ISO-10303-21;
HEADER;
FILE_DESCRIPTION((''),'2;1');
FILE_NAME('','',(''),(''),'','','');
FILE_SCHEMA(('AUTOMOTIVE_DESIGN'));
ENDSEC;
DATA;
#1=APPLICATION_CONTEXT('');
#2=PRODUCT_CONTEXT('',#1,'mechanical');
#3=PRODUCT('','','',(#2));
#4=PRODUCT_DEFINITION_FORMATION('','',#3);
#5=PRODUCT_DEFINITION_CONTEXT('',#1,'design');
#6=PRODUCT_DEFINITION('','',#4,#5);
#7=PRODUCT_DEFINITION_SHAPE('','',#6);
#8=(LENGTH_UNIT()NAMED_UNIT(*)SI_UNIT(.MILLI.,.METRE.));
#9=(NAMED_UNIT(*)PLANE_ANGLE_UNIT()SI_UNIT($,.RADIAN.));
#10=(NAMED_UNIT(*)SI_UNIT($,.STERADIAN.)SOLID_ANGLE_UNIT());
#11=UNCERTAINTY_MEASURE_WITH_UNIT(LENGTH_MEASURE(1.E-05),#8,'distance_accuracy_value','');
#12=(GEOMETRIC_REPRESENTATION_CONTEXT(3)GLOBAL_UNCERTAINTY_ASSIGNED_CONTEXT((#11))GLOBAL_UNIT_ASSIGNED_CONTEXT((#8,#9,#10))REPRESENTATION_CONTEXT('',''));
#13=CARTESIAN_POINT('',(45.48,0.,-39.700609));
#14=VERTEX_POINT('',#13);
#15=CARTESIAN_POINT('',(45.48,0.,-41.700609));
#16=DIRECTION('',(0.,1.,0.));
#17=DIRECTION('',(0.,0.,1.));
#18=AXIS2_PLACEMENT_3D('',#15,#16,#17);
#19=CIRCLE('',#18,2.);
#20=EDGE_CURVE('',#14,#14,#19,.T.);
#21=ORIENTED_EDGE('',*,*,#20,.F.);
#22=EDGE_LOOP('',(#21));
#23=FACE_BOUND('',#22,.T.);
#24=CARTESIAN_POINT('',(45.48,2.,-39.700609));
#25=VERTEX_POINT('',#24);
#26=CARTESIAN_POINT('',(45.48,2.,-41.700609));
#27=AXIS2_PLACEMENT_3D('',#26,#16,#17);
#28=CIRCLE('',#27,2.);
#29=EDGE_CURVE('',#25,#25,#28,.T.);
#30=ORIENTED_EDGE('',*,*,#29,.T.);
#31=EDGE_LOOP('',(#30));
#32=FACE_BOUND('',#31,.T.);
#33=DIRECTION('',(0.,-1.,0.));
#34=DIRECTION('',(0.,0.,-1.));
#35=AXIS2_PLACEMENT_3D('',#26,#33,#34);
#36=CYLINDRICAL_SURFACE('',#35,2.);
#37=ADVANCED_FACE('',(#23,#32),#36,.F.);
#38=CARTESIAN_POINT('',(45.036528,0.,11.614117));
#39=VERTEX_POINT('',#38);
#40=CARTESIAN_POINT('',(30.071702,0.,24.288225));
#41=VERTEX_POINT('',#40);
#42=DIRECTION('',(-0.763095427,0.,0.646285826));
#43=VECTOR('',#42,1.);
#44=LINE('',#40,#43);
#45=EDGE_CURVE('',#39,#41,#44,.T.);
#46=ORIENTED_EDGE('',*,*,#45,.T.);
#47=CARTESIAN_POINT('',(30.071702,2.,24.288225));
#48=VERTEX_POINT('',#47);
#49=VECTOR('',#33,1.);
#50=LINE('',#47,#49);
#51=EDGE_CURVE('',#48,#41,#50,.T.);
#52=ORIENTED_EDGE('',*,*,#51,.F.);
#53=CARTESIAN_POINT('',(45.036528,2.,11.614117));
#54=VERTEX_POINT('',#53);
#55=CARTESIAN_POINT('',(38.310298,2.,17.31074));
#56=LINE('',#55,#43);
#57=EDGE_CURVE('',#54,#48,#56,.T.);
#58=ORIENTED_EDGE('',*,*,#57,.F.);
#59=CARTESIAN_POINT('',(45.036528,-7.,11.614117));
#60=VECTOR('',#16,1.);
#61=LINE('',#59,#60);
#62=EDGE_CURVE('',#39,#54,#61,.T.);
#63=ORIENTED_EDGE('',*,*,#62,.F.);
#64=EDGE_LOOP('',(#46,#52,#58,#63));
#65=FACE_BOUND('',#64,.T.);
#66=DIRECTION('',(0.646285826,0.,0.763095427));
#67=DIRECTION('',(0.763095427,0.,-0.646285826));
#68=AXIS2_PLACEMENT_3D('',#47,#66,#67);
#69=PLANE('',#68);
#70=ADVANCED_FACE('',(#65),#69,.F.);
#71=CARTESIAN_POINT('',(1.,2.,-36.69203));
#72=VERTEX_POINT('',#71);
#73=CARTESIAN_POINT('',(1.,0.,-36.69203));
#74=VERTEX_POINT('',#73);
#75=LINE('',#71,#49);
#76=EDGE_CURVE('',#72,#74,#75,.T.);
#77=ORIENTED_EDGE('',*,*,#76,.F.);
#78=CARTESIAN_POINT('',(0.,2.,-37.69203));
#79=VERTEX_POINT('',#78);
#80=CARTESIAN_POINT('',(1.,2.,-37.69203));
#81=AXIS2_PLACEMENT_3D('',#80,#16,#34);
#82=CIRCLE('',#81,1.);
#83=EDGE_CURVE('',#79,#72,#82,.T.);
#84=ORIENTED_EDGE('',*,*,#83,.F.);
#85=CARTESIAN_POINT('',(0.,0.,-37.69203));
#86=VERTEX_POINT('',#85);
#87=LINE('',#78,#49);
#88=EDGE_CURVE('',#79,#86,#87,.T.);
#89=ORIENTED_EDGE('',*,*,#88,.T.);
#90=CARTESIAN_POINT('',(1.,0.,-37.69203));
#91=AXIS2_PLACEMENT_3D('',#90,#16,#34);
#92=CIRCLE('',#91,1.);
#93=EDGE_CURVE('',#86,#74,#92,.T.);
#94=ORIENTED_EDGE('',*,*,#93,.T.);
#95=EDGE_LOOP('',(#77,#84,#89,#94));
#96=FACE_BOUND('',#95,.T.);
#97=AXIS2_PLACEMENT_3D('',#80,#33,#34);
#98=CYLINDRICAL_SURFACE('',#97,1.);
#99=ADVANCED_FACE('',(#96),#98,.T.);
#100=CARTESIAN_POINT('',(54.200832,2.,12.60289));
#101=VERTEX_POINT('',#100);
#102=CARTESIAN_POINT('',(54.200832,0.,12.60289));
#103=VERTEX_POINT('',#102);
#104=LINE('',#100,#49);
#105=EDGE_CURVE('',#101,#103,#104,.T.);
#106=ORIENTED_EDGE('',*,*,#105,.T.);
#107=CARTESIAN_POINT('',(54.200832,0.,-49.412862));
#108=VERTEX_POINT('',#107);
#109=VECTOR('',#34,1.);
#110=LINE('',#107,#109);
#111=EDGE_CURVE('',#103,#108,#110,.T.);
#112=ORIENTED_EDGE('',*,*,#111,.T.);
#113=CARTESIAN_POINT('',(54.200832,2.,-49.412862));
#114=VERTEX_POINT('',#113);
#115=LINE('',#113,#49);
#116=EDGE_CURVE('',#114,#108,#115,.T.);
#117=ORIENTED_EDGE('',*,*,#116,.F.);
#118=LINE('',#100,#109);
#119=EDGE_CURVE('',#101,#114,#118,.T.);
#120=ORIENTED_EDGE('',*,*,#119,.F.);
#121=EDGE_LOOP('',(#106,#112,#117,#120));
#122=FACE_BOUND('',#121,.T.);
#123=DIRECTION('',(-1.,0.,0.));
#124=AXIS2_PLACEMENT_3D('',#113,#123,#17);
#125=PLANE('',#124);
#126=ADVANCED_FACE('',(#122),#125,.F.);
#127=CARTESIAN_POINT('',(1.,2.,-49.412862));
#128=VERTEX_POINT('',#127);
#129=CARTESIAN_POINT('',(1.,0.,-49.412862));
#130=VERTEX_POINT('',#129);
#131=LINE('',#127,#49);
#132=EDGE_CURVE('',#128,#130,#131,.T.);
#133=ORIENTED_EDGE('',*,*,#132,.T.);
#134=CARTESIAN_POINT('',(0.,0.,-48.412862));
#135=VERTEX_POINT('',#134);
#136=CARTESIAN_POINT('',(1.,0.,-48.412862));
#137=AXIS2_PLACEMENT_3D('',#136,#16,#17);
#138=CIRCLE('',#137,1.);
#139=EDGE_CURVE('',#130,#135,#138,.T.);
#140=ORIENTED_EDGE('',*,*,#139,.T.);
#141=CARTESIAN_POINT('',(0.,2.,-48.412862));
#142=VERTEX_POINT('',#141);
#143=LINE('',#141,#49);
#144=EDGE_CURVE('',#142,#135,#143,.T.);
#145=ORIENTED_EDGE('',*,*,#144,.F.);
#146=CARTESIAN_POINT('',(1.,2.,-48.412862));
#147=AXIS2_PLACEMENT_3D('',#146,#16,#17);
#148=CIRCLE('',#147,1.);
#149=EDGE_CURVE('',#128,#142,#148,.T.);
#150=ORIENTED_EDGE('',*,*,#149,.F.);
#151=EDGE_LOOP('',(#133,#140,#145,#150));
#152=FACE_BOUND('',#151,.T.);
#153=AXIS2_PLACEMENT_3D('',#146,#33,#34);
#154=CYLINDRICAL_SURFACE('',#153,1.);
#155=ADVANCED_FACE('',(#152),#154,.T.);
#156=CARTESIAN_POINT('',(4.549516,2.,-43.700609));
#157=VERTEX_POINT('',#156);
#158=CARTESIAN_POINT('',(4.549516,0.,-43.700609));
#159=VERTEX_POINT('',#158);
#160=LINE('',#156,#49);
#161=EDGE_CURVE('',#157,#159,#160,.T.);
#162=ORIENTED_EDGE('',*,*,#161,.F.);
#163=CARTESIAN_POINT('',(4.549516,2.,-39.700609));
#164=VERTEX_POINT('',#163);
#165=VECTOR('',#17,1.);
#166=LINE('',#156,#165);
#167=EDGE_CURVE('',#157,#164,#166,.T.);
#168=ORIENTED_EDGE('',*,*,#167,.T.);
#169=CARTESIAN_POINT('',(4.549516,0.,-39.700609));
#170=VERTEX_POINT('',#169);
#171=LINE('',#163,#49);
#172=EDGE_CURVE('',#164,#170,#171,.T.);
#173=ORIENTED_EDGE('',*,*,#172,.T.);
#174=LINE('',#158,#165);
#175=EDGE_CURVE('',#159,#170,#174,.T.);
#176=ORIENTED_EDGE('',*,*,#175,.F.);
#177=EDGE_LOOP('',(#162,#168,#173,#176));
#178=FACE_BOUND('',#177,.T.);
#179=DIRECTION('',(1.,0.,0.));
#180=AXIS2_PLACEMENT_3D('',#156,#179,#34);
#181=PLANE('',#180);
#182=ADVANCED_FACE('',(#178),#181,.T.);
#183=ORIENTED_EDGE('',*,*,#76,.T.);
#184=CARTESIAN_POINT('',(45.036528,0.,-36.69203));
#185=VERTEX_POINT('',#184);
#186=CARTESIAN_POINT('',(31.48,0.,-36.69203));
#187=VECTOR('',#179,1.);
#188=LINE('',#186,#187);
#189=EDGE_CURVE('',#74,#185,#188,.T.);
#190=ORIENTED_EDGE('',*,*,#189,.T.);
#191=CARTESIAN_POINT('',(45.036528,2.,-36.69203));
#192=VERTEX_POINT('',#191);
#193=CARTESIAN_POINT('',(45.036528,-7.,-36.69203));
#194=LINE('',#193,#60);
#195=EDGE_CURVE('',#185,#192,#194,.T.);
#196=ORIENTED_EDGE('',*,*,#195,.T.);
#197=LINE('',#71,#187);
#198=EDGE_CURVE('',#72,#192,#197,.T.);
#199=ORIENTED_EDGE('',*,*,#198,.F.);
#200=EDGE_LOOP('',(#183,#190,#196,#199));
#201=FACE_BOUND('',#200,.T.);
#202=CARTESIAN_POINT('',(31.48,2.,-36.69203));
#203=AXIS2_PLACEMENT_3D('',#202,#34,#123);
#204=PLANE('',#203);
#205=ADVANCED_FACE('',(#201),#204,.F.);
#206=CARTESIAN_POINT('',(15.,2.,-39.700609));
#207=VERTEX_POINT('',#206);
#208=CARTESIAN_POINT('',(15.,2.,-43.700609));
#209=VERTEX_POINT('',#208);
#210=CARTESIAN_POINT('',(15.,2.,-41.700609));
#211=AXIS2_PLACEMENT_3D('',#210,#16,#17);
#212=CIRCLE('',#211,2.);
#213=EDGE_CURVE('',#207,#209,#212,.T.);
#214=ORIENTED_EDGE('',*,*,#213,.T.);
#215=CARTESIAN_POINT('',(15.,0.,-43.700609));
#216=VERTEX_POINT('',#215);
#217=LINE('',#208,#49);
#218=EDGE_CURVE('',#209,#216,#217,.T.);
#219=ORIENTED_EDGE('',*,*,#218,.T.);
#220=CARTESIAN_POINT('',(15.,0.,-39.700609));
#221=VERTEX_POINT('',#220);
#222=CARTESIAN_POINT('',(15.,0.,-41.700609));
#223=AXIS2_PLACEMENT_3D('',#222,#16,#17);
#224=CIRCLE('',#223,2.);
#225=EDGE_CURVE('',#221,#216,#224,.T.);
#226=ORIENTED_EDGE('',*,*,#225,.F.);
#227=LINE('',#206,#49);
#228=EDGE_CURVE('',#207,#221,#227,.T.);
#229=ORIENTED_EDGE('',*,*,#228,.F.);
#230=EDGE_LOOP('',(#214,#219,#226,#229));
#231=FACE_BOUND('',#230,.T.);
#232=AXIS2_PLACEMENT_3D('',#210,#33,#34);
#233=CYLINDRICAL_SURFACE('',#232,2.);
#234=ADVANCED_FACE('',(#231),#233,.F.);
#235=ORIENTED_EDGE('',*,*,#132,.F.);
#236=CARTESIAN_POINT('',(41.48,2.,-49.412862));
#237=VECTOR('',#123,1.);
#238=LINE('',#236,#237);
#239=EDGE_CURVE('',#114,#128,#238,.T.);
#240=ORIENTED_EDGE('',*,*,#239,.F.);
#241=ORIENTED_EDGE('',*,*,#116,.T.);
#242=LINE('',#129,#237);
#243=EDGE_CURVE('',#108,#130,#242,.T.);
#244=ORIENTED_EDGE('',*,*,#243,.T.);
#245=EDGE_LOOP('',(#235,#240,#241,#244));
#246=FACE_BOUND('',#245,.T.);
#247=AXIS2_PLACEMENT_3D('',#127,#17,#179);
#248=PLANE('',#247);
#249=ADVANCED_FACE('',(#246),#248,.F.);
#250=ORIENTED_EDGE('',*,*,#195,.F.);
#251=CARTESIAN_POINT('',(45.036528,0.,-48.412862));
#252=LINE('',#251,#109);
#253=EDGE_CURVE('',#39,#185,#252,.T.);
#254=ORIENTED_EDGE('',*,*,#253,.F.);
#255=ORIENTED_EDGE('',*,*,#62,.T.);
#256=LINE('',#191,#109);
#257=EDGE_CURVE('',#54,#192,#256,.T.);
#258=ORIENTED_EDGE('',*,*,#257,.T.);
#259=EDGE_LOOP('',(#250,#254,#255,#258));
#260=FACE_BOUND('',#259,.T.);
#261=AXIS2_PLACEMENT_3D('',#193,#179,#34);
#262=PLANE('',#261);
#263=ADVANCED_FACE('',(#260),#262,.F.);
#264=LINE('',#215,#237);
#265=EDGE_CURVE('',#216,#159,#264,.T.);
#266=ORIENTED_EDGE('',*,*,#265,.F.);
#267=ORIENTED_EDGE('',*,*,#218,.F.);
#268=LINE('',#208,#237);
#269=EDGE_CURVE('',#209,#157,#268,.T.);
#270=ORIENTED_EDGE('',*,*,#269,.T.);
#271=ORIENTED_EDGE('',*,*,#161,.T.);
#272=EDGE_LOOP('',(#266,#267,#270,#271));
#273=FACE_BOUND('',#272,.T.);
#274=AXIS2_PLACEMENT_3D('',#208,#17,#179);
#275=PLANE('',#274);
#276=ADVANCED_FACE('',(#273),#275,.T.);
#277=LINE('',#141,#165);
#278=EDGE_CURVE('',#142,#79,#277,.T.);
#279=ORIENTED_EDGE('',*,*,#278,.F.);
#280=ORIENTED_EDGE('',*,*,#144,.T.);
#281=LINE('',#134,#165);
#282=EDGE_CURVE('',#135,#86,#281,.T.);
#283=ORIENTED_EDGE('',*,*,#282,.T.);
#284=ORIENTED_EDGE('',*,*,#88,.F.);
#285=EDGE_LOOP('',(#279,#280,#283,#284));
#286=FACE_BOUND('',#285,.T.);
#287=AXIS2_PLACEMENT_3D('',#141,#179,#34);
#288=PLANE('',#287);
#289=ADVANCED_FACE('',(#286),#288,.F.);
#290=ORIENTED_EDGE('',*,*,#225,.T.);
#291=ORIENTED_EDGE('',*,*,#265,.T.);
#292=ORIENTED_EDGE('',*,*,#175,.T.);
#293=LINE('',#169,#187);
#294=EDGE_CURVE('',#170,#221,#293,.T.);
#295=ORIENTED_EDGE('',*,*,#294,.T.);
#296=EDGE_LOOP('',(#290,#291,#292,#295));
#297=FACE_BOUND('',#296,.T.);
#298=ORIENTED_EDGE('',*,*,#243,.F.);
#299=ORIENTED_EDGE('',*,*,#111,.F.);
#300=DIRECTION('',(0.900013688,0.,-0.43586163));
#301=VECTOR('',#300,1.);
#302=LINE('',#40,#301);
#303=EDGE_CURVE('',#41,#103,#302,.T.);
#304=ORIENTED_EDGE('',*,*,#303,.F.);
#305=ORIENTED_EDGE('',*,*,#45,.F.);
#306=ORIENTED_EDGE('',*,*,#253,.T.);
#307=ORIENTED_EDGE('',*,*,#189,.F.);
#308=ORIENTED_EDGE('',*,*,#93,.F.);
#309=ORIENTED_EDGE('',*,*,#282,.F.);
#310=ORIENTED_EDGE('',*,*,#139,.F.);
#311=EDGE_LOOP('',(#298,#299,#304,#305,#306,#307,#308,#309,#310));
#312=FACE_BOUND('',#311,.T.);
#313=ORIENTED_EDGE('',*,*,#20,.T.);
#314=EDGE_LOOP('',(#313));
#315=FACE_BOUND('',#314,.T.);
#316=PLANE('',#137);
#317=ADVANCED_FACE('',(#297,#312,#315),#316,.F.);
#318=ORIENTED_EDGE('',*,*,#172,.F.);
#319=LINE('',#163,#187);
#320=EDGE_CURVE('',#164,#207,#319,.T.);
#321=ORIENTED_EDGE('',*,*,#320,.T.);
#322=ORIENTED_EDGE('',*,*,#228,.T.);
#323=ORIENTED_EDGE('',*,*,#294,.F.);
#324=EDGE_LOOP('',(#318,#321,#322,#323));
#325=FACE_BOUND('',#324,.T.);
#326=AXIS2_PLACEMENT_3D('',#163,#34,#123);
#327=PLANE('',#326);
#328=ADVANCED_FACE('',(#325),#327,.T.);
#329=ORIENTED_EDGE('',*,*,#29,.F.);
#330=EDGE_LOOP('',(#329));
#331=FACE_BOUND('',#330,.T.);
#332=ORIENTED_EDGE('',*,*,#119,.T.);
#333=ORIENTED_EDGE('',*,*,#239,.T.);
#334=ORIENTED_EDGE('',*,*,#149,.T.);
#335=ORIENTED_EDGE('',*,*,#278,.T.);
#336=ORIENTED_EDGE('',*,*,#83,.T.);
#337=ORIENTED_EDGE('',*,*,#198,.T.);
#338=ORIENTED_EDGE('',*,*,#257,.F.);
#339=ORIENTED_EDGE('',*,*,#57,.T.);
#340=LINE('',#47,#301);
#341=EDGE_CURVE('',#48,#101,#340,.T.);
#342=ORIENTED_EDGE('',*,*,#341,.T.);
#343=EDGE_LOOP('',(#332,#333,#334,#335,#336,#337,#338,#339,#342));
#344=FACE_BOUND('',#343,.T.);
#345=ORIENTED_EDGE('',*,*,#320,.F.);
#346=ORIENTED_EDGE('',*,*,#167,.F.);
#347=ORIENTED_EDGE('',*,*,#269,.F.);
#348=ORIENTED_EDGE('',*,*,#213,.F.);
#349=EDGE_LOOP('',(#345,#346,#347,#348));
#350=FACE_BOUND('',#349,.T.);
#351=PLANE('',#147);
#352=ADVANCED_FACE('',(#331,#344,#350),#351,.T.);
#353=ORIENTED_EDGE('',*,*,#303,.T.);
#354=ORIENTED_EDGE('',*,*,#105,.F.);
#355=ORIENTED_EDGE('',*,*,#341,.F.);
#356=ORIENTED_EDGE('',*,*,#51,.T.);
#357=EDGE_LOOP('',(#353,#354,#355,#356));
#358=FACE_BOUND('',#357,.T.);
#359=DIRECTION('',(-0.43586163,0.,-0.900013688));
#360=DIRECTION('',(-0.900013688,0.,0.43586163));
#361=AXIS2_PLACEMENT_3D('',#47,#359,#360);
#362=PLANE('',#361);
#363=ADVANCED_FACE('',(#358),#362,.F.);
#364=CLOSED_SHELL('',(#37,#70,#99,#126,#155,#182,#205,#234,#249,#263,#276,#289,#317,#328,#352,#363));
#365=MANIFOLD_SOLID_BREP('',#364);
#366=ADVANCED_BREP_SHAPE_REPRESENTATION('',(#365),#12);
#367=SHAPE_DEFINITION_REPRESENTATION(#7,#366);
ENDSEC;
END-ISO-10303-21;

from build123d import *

# Parameters (mm, degrees)
SKETCH1_R           = 2
BOSS_EXTRUDE2_DEPTH = 2
CUT_EXTRUDE2_DEPTH  = 9
CUT_EXTRUDE3_DEPTH  = 9


with BuildPart() as part:
    # Sketch1 → Boss-Extrude2 (new body)
    with BuildSketch(Plane(origin=(0, 0, 0), x_dir=(1, 0, 0), z_dir=(0, 1, 0))):
        with BuildLine():
            Line((0, 48.412862342), (0, 37.692030173))
            ThreePointArc((0, 37.692030173), (0.292893219, 36.984923392), (1, 36.692030173))
            Line((1, 36.692030173), (31.48, 36.692030173))
            Line((31.48, 36.692030173), (43.036527631, 36.692030173))
            Line((43.036527631, 36.692030173), (43.036527631, -13.307969827))
            Line((43.036527631, -13.307969827), (38.310297741, -17.310739702))
            Line((38.310297741, -17.310739702), (34.253582629, -17.310739702))
            Line((34.253582629, -17.310739702), (36, -19.267392345))
            Line((36, -19.267392345), (30.071702425, -24.288225334))
            Line((30.071702425, -24.288225334), (54.200832168, -12.602889922))
            Line((54.200832168, -12.602889922), (54.200832168, 10.267562985))
            Line((54.200832168, 10.267562985), (54.200832168, 49.412862342))
            Line((54.200832168, 49.412862342), (41.48, 49.412862342))
            Line((41.48, 49.412862342), (1, 49.412862342))
            ThreePointArc((1, 49.412862342), (0.292893219, 49.119969123), (0, 48.412862342))
        make_face()
        with Locations((45.48, 41.700609081)):
            Circle(SKETCH1_R, mode=Mode.SUBTRACT)
        with BuildLine():
            Line((15, 43.700609081), (4.549516448, 43.700609081))
            Line((4.549516448, 43.700609081), (4.549516448, 39.700609081))
            Line((4.549516448, 39.700609081), (15, 39.700609081))
            ThreePointArc((15, 39.700609081), (17, 41.700609081), (15, 43.700609081))
        make_face(mode=Mode.SUBTRACT)
    extrude(amount=BOSS_EXTRUDE2_DEPTH)

    # Sketch6 → Cut-Extrude2 (cut)
    with BuildSketch(Plane(origin=(0, 2, 0), x_dir=(1, 0, 0), z_dir=(0, 1, 0))):
        Polygon((36, -19.267392345), (38.310297741, -17.310739702), (34.253582629, -17.310739702), align=None)
    extrude(amount=-CUT_EXTRUDE2_DEPTH, mode=Mode.SUBTRACT)

    # Sketch8 → Cut-Extrude3 (cut)
    with BuildSketch(Plane(origin=(0, 2, 0), x_dir=(1, 0, 0), z_dir=(0, 1, 0))):
        Polygon((43.036527631, 36.692030173), (45.036527631, 36.692030173), (45.036527631, -11.115496155), (45.036527631, -11.614116599), (43.036527631, -13.307969827), align=None)
    extrude(amount=-CUT_EXTRUDE3_DEPTH, mode=Mode.SUBTRACT)


solid = part.part
